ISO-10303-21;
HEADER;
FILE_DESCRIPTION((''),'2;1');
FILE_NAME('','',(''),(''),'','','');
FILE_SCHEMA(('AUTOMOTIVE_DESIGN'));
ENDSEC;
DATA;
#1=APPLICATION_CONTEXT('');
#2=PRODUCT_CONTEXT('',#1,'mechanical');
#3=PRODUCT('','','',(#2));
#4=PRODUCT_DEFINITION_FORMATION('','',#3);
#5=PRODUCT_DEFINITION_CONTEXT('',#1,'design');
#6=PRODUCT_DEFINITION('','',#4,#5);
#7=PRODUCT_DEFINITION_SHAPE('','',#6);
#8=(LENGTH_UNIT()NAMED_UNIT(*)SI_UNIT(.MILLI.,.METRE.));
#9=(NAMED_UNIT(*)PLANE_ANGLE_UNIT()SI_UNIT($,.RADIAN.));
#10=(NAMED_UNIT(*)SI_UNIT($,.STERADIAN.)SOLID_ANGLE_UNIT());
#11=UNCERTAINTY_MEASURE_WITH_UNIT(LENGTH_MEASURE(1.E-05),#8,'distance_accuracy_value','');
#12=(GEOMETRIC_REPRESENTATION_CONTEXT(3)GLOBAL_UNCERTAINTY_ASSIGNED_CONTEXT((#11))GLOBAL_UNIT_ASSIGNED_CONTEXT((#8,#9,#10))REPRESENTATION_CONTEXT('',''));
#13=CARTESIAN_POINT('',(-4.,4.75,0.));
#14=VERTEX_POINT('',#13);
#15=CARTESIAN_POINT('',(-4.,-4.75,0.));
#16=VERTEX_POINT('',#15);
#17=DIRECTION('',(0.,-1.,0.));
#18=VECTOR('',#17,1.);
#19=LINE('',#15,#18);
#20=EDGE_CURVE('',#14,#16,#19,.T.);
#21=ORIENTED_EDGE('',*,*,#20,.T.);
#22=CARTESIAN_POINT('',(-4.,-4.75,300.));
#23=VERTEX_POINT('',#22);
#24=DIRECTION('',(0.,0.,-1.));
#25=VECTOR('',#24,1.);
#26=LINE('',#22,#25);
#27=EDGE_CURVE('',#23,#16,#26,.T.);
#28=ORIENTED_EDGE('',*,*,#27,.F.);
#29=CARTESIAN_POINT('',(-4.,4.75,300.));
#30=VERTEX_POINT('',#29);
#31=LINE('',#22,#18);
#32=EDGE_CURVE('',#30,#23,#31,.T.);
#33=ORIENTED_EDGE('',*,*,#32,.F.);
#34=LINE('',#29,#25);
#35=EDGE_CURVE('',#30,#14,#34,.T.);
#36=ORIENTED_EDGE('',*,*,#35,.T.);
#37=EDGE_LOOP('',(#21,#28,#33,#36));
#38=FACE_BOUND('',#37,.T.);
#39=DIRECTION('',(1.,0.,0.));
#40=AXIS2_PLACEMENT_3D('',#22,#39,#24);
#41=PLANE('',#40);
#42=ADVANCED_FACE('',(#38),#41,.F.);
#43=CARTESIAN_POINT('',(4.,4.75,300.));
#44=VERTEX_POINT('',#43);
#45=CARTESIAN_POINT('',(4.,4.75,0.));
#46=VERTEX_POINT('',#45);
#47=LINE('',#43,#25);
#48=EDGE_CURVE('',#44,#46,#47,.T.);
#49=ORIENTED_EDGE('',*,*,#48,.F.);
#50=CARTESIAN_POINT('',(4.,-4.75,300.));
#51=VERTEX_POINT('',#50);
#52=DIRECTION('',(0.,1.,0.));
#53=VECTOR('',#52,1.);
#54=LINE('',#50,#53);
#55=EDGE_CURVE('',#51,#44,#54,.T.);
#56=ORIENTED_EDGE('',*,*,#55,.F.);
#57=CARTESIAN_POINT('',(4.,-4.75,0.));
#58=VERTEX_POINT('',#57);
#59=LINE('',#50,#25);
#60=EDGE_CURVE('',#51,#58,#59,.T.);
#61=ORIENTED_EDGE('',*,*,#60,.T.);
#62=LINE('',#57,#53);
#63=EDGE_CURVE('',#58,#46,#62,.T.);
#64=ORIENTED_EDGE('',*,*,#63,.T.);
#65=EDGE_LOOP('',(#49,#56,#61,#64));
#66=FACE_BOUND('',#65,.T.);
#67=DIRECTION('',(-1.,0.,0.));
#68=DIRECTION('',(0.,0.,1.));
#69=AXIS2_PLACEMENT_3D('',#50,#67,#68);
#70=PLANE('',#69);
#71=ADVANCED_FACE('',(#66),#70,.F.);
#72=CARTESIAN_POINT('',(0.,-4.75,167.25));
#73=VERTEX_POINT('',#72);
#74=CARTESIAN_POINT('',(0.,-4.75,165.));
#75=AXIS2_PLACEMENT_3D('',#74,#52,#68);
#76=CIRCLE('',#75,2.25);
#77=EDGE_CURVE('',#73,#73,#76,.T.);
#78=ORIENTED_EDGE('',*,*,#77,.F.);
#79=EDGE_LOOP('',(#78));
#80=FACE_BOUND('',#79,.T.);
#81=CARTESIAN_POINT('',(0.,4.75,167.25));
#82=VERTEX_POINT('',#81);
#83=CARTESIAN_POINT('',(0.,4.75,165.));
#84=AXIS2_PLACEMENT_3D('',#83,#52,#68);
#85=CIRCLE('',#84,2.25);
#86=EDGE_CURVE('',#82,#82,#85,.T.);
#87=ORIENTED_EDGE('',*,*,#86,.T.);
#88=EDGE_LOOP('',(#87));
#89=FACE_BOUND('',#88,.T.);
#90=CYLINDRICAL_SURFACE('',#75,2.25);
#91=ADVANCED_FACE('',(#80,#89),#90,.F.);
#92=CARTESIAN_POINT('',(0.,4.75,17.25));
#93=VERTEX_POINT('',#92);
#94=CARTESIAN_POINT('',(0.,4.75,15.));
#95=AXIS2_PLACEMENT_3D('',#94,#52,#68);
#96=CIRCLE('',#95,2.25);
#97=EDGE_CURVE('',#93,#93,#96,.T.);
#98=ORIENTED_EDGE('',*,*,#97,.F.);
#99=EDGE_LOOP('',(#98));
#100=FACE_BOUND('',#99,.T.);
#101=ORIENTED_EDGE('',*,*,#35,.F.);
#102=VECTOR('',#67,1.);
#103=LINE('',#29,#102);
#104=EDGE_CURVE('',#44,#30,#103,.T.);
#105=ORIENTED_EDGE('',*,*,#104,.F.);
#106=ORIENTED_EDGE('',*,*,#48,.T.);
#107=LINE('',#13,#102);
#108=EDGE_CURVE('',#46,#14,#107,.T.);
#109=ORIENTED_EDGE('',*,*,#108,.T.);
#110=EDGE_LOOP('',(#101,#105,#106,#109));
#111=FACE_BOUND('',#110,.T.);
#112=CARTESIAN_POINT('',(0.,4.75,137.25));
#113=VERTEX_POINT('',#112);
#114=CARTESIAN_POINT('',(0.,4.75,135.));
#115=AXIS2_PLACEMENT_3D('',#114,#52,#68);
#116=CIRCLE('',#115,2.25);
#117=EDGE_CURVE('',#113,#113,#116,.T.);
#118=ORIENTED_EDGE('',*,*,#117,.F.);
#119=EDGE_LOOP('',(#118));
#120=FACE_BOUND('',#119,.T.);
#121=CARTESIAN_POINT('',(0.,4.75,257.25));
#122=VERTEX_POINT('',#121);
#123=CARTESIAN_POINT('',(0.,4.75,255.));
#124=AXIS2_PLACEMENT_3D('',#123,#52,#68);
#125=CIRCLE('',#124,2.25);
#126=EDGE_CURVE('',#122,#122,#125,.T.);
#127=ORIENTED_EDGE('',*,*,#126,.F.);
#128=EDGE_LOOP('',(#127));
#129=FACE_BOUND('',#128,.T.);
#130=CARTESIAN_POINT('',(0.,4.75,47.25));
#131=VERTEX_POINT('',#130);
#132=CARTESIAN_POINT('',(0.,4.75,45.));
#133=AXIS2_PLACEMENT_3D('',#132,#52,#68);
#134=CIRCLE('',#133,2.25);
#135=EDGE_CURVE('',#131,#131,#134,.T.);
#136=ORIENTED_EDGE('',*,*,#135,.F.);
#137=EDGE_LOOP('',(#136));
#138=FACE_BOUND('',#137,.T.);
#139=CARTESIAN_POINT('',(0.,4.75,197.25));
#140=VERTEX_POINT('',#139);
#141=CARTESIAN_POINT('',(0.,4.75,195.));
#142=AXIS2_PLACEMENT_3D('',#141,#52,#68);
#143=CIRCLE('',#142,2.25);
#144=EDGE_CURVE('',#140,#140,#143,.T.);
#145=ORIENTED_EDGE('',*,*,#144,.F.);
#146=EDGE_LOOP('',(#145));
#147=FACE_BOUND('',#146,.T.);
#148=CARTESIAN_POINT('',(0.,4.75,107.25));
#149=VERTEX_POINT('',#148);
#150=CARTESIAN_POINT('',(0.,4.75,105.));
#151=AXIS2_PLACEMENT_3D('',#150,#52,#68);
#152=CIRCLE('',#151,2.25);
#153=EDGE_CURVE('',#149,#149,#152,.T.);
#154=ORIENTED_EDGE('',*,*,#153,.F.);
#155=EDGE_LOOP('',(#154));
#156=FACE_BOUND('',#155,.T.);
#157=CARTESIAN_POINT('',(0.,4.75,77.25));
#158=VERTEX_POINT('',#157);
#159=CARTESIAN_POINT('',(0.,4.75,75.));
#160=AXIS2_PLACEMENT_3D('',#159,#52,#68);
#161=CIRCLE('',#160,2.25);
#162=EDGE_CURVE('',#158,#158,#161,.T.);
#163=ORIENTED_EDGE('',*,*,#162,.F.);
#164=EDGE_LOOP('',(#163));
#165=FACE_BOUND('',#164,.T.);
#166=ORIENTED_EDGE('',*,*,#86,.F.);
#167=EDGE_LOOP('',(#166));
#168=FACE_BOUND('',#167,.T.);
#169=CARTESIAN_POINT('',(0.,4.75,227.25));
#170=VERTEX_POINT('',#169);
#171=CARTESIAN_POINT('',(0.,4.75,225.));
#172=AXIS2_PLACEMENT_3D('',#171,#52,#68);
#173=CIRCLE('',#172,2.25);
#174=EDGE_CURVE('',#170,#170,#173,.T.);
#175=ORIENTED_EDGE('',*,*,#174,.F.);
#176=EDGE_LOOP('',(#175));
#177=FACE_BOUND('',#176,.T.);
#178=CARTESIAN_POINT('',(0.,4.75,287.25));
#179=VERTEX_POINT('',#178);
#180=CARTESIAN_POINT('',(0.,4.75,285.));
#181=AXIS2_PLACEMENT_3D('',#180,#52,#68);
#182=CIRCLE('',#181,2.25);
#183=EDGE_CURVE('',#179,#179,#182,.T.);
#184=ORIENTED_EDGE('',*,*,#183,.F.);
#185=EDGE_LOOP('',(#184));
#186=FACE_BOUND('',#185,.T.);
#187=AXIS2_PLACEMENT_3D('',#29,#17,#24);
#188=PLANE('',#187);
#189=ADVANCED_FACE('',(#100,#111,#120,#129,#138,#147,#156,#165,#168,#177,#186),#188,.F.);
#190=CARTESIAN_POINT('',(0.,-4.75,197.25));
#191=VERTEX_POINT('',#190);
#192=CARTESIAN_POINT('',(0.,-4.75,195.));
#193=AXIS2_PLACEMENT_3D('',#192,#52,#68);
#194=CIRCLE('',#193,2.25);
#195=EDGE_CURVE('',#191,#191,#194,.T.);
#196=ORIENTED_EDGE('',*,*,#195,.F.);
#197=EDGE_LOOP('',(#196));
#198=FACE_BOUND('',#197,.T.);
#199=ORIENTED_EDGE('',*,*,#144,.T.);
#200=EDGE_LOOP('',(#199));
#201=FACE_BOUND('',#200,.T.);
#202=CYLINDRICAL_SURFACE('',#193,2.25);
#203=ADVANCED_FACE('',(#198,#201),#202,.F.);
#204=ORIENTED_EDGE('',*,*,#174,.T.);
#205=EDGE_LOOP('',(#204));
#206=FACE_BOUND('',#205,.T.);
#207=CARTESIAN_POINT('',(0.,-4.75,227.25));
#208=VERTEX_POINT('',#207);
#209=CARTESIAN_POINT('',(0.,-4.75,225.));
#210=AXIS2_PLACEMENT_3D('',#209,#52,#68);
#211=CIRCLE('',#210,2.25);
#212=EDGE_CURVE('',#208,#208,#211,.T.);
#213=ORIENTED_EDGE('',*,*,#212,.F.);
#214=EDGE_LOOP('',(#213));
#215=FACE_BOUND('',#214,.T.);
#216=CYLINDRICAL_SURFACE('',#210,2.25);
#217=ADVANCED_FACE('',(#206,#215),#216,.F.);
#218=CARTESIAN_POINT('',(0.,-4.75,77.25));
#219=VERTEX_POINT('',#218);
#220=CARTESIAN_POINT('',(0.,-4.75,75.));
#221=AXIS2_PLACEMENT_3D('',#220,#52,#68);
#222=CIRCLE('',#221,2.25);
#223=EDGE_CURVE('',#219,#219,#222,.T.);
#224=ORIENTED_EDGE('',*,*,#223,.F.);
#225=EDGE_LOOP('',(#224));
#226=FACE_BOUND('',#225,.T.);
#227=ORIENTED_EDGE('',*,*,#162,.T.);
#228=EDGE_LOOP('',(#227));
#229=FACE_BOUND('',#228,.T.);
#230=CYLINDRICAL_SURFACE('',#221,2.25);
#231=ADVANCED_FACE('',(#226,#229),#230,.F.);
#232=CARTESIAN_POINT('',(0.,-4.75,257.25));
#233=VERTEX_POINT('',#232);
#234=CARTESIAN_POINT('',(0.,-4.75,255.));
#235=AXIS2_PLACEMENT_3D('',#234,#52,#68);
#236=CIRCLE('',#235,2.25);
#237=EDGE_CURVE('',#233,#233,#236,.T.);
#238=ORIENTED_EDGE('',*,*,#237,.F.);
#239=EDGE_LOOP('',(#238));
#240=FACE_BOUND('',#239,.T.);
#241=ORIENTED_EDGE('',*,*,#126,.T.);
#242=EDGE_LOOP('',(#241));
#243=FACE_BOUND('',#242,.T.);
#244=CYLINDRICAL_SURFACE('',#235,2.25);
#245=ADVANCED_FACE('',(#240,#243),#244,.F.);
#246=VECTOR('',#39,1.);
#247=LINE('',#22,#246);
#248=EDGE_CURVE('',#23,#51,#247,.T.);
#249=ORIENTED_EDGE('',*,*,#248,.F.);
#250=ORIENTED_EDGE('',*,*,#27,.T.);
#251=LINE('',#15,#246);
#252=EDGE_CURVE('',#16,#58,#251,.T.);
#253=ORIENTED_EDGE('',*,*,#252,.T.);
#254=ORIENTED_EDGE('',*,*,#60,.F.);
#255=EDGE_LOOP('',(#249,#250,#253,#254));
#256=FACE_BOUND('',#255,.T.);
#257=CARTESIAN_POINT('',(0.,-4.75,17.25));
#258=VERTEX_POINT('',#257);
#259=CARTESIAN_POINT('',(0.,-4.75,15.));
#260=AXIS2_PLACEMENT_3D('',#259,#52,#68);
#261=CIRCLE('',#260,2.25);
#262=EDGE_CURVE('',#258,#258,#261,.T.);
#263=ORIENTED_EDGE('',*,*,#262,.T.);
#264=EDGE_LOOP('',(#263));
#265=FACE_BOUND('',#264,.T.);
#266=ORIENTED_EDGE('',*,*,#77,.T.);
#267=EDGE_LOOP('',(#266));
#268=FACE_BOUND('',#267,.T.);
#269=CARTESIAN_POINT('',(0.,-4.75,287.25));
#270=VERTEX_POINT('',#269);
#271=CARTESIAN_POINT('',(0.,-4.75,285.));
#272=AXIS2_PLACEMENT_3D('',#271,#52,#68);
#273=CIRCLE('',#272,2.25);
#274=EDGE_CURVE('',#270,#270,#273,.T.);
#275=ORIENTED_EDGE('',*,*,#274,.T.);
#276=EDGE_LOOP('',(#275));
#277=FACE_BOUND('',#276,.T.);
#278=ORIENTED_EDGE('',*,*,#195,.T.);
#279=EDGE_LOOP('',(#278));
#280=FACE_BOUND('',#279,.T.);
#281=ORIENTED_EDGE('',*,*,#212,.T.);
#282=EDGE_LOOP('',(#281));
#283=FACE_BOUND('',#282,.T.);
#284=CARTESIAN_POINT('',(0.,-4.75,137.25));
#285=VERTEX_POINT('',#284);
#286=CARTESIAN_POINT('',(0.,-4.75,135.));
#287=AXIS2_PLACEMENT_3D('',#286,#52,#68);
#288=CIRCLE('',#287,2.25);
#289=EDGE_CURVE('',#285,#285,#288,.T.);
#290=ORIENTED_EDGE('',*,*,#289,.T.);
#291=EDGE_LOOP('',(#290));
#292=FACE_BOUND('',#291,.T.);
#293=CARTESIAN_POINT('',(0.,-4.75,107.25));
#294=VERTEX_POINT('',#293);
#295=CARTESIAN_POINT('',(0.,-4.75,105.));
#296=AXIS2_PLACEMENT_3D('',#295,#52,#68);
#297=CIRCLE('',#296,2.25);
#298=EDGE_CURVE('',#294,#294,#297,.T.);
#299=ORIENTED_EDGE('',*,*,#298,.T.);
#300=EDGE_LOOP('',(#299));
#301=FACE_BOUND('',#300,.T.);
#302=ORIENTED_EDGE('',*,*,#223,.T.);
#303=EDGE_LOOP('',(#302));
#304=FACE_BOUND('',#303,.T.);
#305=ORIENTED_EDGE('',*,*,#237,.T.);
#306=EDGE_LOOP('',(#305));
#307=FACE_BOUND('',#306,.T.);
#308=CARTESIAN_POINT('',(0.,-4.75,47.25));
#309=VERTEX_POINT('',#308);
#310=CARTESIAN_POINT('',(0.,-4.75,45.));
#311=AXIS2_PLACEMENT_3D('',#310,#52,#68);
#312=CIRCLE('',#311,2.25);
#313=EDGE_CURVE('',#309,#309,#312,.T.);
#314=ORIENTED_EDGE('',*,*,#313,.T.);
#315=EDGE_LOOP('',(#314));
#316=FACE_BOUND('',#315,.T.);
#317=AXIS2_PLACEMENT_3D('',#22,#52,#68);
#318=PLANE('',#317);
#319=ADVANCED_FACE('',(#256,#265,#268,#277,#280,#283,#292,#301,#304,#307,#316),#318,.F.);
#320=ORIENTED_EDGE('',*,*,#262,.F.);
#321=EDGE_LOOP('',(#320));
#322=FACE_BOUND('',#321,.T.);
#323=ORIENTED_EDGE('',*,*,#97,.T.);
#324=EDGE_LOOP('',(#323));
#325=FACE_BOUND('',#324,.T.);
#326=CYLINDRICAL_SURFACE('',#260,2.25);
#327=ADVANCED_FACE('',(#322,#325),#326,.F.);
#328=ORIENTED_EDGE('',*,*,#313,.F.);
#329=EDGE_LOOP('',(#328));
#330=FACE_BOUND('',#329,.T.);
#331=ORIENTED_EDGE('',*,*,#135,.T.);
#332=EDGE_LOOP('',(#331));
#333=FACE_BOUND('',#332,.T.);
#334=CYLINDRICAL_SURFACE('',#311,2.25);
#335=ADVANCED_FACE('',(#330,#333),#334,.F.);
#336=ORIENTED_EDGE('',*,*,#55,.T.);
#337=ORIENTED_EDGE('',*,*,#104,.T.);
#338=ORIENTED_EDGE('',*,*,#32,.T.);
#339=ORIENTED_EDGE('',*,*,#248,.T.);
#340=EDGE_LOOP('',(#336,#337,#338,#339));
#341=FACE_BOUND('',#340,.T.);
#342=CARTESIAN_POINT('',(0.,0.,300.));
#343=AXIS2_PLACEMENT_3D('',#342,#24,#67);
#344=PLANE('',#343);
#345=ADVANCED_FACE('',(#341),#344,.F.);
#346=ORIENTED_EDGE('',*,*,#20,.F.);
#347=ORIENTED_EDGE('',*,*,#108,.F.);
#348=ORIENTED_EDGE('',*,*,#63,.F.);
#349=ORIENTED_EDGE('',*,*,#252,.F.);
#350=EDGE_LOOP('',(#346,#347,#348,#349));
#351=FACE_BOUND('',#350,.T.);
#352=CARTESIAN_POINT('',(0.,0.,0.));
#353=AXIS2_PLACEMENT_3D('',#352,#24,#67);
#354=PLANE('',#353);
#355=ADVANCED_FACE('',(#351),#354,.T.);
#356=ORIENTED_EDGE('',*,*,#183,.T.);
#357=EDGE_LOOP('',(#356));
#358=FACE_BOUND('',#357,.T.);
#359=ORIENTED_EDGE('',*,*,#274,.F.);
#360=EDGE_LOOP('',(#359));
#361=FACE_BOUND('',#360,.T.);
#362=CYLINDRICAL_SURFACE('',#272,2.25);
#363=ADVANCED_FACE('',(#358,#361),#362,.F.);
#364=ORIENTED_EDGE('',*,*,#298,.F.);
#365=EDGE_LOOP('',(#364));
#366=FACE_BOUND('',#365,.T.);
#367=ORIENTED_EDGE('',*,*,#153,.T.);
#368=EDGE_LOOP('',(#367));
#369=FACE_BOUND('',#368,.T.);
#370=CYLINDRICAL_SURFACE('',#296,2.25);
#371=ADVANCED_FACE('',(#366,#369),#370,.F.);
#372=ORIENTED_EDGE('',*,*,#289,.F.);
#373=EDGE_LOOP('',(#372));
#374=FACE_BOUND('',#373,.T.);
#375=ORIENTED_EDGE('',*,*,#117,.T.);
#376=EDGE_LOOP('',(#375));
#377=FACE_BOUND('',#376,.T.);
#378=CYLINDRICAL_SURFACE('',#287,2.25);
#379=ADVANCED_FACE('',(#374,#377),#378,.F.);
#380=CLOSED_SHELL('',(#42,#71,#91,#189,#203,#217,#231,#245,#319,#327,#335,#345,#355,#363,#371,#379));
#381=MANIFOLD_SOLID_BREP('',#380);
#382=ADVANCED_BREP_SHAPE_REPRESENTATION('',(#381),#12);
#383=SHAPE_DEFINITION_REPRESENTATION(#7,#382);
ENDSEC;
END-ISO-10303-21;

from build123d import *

# Parameters (mm, degrees)
SKETCH1_W           = 8
SKETCH1_H           = 9.5
BOSS_EXTRUDE1_DEPTH = 300
SKETCH2_R           = 2.25
CUT_EXTRUDE1_DEPTH  = 301.1770311
LPATTERN1_COUNT     = 10
LPATTERN1_PITCH     = 30


with BuildPart() as part:
    # Sketch1 → Boss-Extrude1 (new body)
    with BuildSketch(Plane.XY):
        Rectangle(SKETCH1_W, SKETCH1_H)
    extrude(amount=BOSS_EXTRUDE1_DEPTH)

    # Sketch2 → Cut-Extrude1 (cut, through all)
    with BuildSketch(Plane(origin=(0, 4.75, 0), x_dir=(1, 0, 0), z_dir=(0, 1, 0))):
        with Locations(Location((0, -15, 0), (0, 0, 270))):
            Circle(SKETCH2_R)
    cut_extrude1 = extrude(amount=-CUT_EXTRUDE1_DEPTH, mode=Mode.SUBTRACT)

    # LPattern1: Cut-Extrude1 ×10
    with Locations(*[(0, 0, i * LPATTERN1_PITCH) for i in range(1, LPATTERN1_COUNT)]):
        add(cut_extrude1, mode=Mode.SUBTRACT)


solid = part.part
